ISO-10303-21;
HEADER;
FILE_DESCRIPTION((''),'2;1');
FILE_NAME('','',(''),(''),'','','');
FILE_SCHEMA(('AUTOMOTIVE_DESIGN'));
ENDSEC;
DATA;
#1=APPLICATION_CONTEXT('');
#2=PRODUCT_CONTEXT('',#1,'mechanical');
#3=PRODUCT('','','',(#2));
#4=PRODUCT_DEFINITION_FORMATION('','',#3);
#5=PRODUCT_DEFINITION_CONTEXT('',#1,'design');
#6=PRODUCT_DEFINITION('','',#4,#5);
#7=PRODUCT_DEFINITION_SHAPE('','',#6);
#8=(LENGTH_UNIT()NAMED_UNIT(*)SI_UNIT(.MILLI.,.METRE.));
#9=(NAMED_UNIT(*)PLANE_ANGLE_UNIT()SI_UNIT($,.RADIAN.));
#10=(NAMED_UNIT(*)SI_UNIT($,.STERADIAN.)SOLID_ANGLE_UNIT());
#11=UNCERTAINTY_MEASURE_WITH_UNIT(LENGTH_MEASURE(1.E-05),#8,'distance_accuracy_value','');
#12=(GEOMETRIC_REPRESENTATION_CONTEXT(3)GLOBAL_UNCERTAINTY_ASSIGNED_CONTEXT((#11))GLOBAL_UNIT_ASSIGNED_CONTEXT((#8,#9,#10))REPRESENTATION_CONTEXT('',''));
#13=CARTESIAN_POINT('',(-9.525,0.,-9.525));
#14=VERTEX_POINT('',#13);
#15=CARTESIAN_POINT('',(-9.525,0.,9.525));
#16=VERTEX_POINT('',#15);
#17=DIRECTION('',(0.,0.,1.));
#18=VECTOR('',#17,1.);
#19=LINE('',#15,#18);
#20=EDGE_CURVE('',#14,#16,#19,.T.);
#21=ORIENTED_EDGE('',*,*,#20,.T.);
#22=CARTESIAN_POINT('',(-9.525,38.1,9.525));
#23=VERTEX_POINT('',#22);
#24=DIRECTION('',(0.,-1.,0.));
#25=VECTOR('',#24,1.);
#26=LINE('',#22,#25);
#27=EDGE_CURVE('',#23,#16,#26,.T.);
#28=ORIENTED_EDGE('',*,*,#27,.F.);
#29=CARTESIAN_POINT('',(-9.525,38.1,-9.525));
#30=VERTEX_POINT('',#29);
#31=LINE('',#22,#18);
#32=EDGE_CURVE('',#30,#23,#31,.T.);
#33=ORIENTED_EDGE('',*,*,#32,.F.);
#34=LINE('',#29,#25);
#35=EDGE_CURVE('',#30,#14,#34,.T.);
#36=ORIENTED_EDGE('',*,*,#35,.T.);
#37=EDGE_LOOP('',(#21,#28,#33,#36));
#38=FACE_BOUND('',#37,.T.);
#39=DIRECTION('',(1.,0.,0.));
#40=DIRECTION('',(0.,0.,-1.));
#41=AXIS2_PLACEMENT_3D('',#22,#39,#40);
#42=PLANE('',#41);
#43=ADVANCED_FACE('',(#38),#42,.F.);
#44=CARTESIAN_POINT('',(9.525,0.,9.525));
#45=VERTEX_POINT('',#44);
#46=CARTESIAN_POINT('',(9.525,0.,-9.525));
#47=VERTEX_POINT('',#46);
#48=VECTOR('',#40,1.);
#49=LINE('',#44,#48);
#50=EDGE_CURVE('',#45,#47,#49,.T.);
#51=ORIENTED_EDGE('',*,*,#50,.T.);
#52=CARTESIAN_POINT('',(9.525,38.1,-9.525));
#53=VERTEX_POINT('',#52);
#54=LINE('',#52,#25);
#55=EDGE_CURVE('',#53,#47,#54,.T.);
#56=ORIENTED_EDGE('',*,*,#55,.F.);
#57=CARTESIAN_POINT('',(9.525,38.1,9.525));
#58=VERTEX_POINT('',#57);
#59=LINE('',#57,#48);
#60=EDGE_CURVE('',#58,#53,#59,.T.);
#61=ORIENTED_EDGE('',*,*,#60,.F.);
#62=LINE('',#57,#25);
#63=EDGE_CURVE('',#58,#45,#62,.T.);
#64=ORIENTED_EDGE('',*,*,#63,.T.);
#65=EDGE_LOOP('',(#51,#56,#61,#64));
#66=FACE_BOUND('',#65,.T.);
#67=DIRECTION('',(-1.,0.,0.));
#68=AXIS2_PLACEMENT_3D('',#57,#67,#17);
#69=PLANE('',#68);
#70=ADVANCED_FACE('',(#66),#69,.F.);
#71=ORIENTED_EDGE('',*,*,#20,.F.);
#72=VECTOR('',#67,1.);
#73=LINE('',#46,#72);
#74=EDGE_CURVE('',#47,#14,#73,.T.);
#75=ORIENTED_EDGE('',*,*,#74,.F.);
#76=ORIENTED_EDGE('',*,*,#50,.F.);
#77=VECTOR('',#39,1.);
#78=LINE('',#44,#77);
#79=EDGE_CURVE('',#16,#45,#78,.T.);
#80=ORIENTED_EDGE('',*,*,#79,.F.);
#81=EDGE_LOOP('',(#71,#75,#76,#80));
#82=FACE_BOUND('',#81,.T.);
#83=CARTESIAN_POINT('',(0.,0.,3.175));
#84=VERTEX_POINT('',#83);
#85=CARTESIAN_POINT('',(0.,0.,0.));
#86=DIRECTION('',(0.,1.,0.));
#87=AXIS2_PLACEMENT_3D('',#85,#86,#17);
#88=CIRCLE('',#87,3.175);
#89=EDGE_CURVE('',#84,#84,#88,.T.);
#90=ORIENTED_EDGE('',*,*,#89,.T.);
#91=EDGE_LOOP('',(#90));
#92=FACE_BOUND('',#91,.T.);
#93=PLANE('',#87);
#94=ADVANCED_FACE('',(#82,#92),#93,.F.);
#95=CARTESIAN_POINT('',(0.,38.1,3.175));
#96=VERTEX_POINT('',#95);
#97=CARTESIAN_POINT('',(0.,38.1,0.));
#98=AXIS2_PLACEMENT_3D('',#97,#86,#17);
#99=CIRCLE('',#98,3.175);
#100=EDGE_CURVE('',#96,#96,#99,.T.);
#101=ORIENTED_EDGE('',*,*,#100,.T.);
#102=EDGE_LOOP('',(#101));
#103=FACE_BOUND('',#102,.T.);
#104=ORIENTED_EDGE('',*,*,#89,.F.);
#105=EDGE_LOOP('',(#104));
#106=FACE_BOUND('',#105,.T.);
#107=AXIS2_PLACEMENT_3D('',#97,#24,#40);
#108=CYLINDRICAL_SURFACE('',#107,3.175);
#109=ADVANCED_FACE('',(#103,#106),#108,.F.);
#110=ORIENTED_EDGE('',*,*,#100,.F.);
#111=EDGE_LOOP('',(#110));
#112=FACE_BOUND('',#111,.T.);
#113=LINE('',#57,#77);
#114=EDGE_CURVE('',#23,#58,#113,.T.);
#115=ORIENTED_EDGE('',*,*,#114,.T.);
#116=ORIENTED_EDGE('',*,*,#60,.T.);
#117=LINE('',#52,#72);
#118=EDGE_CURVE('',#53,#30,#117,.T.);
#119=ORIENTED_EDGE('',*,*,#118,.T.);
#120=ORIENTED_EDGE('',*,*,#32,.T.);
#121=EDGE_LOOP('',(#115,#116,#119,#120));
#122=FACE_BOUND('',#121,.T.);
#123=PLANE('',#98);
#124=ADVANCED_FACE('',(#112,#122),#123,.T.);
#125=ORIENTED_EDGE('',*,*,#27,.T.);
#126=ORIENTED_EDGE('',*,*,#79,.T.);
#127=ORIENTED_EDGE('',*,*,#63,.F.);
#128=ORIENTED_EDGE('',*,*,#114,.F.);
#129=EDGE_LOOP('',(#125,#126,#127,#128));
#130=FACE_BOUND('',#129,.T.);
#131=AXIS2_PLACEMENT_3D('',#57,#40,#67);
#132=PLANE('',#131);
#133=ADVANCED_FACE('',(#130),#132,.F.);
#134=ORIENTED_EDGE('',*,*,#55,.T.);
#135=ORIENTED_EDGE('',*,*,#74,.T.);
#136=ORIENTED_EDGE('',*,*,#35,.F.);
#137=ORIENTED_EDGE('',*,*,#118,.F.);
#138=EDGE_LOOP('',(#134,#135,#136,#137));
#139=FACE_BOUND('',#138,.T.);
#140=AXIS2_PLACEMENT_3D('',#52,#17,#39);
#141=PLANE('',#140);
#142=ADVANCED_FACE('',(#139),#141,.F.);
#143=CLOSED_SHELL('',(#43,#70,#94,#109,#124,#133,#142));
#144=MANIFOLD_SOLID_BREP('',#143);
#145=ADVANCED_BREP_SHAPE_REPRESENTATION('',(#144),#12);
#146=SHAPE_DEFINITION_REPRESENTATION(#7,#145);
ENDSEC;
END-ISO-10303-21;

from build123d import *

# Parameters (mm, degrees)
SKETCH1_W           = 19.05
SKETCH1_H           = 19.05
SKETCH1_R           = 3.175
BOSS_EXTRUDE1_DEPTH = 38.1


with BuildPart() as part:
    # Sketch1 → Boss-Extrude1 (new body)
    with BuildSketch(Plane(origin=(0, 0, 0), x_dir=(1, 0, 0), z_dir=(0, 1, 0))):
        Rectangle(SKETCH1_W, SKETCH1_H)
        Circle(SKETCH1_R, mode=Mode.SUBTRACT)
    extrude(amount=BOSS_EXTRUDE1_DEPTH)


solid = part.part
